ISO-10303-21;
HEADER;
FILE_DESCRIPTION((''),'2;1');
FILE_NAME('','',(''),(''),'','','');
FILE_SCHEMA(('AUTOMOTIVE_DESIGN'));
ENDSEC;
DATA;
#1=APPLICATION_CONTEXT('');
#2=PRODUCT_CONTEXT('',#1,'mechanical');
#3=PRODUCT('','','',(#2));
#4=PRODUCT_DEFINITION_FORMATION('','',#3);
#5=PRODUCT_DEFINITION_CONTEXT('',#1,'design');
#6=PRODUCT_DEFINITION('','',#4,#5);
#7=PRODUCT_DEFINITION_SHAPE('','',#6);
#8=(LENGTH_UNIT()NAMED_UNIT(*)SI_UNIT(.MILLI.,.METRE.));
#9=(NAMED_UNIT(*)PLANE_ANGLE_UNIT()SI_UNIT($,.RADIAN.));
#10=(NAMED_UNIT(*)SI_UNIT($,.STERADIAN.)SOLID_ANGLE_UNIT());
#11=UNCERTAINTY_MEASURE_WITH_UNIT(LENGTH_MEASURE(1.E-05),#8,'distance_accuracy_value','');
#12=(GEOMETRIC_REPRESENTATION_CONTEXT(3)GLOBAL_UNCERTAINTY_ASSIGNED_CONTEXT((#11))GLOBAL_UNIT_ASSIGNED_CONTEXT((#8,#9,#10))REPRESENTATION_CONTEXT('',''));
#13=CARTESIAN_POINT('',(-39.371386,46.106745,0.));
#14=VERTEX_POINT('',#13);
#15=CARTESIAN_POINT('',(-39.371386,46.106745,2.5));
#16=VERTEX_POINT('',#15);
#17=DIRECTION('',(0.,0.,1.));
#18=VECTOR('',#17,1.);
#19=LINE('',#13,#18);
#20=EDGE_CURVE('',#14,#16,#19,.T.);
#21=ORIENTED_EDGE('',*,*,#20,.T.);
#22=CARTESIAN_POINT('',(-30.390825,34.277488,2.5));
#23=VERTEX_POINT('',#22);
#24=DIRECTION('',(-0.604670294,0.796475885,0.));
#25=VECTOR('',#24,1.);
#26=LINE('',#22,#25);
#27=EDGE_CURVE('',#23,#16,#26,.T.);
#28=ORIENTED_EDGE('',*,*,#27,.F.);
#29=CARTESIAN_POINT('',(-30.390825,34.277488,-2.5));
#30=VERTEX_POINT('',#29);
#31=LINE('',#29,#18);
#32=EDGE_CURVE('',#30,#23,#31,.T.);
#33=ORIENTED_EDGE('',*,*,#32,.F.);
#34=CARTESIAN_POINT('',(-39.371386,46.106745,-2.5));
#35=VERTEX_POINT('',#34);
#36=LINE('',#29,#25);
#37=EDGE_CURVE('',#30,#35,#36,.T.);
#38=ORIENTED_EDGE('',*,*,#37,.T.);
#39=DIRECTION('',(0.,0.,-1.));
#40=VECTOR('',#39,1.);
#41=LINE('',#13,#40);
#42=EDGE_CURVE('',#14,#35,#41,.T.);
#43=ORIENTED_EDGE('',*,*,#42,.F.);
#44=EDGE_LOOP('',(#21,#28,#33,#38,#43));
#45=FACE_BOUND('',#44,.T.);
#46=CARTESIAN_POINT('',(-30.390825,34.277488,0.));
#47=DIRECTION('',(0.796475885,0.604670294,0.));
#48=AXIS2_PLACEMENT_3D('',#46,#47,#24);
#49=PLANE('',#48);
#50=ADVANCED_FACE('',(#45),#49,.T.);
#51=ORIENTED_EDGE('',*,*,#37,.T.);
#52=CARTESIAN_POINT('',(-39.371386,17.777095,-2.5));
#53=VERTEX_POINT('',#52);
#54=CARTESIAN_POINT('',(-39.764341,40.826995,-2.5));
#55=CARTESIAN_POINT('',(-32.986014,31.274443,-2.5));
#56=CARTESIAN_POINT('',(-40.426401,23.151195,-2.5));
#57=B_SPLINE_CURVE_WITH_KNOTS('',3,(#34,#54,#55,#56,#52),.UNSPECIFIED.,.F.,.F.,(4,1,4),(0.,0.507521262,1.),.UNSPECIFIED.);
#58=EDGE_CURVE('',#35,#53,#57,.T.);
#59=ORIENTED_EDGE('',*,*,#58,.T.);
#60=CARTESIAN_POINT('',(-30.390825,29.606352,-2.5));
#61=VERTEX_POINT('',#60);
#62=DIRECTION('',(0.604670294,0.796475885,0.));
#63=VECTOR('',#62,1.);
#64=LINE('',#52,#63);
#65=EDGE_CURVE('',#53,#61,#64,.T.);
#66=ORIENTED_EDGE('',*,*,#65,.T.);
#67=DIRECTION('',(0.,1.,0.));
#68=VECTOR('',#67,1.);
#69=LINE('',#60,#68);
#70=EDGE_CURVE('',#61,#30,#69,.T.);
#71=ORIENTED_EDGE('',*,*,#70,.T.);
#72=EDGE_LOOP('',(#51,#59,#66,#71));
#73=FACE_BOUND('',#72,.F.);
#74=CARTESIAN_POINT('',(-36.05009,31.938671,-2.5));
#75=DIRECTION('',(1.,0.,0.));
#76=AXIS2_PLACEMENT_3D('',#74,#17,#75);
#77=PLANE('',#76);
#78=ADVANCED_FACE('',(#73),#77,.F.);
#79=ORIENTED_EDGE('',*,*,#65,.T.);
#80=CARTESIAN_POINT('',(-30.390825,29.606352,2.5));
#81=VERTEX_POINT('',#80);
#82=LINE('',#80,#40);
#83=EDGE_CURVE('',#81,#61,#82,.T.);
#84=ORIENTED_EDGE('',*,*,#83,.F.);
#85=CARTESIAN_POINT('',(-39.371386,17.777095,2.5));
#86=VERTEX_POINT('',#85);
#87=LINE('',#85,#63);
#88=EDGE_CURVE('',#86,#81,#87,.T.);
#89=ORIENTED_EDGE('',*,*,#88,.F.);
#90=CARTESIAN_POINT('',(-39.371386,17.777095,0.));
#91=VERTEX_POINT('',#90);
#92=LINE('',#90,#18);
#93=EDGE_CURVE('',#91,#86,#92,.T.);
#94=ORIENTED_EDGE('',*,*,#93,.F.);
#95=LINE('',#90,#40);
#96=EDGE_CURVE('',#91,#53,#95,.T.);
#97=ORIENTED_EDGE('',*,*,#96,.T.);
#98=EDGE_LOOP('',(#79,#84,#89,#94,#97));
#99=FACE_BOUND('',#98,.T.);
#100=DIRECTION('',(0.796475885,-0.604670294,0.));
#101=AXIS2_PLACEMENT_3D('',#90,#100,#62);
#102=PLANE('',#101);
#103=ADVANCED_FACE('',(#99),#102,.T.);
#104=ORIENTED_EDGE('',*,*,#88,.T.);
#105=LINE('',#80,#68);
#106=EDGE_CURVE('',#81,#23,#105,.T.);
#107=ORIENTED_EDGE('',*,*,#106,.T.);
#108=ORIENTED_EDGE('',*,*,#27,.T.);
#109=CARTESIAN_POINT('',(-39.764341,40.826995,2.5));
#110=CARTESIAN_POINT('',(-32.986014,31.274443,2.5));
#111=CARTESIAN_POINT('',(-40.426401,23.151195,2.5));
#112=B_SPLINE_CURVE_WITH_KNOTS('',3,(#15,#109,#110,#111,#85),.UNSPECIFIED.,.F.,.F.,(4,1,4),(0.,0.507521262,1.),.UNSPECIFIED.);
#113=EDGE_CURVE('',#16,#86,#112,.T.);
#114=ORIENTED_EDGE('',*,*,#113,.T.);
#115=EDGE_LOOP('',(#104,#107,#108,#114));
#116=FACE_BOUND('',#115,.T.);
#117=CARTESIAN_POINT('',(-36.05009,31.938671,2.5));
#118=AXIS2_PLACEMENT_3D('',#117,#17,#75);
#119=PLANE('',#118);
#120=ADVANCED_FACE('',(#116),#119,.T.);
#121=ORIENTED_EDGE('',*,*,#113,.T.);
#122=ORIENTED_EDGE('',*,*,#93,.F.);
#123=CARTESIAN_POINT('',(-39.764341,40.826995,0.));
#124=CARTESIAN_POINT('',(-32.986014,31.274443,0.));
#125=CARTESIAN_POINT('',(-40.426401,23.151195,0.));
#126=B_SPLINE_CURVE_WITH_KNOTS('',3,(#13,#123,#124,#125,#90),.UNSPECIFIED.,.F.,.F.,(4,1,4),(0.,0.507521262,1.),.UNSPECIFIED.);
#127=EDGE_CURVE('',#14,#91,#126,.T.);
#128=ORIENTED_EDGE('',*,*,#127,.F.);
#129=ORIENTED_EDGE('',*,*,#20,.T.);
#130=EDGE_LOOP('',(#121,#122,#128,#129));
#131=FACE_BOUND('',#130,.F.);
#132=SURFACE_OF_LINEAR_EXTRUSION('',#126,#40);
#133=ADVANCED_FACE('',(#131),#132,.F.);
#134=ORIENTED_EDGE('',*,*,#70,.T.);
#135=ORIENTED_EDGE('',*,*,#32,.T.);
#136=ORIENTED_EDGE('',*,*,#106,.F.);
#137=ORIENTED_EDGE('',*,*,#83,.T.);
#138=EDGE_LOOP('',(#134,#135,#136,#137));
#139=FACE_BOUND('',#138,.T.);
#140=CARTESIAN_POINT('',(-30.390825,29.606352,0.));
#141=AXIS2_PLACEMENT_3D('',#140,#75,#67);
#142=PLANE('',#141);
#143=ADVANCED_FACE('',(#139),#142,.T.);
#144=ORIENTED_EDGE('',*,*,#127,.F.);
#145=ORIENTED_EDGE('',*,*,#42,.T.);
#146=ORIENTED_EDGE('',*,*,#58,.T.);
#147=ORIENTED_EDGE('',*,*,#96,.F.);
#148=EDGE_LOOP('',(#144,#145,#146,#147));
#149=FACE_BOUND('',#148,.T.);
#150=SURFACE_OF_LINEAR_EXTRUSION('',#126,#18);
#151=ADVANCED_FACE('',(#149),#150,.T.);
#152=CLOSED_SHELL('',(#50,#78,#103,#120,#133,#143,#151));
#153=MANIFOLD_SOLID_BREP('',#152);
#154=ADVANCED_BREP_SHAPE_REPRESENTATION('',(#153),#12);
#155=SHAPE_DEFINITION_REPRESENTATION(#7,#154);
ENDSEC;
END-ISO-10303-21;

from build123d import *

# Parameters (mm, degrees)
F1_DEPTH = 2.5
F2_DEPTH = 2.5


with BuildPart() as f1:
    # F0 (on Top) → F1 (new body, symmetric)
    with BuildSketch(Plane.XY):
        with BuildLine():
            Line((-30.3908251226, 29.6063516289), (-30.3908251226, 34.2774875462))
            Line((-30.3908251226, 34.2774875462), (-39.3713861704, 46.1067445576))
            add(Edge.make_bspline(
                [(-39.3713861704, 46.1067445576), (-39.7643410618, 40.8269949087), (-32.9860138131, 31.2744426607), (-40.4264005864, 23.1511947098), (-39.3713861704, 17.7770946175)],
                knots=[0, 0, 0, 0, 0.5075212617, 1, 1, 1, 1], degree=3))
            Line((-39.3713861704, 17.7770946175), (-30.3908251226, 29.6063516289))
        make_face()
    extrude(amount=F1_DEPTH, both=True)

    # F0 (on Top) → F2 (join, symmetric)
    with BuildSketch(Plane.XY):
        with BuildLine():
            Line((-30.3908251226, 29.6063516289), (-30.3908251226, 34.2774875462))
            Line((-30.3908251226, 34.2774875462), (-39.3713861704, 46.1067445576))
            add(Edge.make_bspline(
                [(-39.3713861704, 46.1067445576), (-39.7643410618, 40.8269949087), (-32.9860138131, 31.2744426607), (-40.4264005864, 23.1511947098), (-39.3713861704, 17.7770946175)],
                knots=[0, 0, 0, 0, 0.5075212617, 1, 1, 1, 1], degree=3))
            Line((-39.3713861704, 17.7770946175), (-30.3908251226, 29.6063516289))
        make_face()
    extrude(amount=F2_DEPTH, both=True)


solid = f1.part
